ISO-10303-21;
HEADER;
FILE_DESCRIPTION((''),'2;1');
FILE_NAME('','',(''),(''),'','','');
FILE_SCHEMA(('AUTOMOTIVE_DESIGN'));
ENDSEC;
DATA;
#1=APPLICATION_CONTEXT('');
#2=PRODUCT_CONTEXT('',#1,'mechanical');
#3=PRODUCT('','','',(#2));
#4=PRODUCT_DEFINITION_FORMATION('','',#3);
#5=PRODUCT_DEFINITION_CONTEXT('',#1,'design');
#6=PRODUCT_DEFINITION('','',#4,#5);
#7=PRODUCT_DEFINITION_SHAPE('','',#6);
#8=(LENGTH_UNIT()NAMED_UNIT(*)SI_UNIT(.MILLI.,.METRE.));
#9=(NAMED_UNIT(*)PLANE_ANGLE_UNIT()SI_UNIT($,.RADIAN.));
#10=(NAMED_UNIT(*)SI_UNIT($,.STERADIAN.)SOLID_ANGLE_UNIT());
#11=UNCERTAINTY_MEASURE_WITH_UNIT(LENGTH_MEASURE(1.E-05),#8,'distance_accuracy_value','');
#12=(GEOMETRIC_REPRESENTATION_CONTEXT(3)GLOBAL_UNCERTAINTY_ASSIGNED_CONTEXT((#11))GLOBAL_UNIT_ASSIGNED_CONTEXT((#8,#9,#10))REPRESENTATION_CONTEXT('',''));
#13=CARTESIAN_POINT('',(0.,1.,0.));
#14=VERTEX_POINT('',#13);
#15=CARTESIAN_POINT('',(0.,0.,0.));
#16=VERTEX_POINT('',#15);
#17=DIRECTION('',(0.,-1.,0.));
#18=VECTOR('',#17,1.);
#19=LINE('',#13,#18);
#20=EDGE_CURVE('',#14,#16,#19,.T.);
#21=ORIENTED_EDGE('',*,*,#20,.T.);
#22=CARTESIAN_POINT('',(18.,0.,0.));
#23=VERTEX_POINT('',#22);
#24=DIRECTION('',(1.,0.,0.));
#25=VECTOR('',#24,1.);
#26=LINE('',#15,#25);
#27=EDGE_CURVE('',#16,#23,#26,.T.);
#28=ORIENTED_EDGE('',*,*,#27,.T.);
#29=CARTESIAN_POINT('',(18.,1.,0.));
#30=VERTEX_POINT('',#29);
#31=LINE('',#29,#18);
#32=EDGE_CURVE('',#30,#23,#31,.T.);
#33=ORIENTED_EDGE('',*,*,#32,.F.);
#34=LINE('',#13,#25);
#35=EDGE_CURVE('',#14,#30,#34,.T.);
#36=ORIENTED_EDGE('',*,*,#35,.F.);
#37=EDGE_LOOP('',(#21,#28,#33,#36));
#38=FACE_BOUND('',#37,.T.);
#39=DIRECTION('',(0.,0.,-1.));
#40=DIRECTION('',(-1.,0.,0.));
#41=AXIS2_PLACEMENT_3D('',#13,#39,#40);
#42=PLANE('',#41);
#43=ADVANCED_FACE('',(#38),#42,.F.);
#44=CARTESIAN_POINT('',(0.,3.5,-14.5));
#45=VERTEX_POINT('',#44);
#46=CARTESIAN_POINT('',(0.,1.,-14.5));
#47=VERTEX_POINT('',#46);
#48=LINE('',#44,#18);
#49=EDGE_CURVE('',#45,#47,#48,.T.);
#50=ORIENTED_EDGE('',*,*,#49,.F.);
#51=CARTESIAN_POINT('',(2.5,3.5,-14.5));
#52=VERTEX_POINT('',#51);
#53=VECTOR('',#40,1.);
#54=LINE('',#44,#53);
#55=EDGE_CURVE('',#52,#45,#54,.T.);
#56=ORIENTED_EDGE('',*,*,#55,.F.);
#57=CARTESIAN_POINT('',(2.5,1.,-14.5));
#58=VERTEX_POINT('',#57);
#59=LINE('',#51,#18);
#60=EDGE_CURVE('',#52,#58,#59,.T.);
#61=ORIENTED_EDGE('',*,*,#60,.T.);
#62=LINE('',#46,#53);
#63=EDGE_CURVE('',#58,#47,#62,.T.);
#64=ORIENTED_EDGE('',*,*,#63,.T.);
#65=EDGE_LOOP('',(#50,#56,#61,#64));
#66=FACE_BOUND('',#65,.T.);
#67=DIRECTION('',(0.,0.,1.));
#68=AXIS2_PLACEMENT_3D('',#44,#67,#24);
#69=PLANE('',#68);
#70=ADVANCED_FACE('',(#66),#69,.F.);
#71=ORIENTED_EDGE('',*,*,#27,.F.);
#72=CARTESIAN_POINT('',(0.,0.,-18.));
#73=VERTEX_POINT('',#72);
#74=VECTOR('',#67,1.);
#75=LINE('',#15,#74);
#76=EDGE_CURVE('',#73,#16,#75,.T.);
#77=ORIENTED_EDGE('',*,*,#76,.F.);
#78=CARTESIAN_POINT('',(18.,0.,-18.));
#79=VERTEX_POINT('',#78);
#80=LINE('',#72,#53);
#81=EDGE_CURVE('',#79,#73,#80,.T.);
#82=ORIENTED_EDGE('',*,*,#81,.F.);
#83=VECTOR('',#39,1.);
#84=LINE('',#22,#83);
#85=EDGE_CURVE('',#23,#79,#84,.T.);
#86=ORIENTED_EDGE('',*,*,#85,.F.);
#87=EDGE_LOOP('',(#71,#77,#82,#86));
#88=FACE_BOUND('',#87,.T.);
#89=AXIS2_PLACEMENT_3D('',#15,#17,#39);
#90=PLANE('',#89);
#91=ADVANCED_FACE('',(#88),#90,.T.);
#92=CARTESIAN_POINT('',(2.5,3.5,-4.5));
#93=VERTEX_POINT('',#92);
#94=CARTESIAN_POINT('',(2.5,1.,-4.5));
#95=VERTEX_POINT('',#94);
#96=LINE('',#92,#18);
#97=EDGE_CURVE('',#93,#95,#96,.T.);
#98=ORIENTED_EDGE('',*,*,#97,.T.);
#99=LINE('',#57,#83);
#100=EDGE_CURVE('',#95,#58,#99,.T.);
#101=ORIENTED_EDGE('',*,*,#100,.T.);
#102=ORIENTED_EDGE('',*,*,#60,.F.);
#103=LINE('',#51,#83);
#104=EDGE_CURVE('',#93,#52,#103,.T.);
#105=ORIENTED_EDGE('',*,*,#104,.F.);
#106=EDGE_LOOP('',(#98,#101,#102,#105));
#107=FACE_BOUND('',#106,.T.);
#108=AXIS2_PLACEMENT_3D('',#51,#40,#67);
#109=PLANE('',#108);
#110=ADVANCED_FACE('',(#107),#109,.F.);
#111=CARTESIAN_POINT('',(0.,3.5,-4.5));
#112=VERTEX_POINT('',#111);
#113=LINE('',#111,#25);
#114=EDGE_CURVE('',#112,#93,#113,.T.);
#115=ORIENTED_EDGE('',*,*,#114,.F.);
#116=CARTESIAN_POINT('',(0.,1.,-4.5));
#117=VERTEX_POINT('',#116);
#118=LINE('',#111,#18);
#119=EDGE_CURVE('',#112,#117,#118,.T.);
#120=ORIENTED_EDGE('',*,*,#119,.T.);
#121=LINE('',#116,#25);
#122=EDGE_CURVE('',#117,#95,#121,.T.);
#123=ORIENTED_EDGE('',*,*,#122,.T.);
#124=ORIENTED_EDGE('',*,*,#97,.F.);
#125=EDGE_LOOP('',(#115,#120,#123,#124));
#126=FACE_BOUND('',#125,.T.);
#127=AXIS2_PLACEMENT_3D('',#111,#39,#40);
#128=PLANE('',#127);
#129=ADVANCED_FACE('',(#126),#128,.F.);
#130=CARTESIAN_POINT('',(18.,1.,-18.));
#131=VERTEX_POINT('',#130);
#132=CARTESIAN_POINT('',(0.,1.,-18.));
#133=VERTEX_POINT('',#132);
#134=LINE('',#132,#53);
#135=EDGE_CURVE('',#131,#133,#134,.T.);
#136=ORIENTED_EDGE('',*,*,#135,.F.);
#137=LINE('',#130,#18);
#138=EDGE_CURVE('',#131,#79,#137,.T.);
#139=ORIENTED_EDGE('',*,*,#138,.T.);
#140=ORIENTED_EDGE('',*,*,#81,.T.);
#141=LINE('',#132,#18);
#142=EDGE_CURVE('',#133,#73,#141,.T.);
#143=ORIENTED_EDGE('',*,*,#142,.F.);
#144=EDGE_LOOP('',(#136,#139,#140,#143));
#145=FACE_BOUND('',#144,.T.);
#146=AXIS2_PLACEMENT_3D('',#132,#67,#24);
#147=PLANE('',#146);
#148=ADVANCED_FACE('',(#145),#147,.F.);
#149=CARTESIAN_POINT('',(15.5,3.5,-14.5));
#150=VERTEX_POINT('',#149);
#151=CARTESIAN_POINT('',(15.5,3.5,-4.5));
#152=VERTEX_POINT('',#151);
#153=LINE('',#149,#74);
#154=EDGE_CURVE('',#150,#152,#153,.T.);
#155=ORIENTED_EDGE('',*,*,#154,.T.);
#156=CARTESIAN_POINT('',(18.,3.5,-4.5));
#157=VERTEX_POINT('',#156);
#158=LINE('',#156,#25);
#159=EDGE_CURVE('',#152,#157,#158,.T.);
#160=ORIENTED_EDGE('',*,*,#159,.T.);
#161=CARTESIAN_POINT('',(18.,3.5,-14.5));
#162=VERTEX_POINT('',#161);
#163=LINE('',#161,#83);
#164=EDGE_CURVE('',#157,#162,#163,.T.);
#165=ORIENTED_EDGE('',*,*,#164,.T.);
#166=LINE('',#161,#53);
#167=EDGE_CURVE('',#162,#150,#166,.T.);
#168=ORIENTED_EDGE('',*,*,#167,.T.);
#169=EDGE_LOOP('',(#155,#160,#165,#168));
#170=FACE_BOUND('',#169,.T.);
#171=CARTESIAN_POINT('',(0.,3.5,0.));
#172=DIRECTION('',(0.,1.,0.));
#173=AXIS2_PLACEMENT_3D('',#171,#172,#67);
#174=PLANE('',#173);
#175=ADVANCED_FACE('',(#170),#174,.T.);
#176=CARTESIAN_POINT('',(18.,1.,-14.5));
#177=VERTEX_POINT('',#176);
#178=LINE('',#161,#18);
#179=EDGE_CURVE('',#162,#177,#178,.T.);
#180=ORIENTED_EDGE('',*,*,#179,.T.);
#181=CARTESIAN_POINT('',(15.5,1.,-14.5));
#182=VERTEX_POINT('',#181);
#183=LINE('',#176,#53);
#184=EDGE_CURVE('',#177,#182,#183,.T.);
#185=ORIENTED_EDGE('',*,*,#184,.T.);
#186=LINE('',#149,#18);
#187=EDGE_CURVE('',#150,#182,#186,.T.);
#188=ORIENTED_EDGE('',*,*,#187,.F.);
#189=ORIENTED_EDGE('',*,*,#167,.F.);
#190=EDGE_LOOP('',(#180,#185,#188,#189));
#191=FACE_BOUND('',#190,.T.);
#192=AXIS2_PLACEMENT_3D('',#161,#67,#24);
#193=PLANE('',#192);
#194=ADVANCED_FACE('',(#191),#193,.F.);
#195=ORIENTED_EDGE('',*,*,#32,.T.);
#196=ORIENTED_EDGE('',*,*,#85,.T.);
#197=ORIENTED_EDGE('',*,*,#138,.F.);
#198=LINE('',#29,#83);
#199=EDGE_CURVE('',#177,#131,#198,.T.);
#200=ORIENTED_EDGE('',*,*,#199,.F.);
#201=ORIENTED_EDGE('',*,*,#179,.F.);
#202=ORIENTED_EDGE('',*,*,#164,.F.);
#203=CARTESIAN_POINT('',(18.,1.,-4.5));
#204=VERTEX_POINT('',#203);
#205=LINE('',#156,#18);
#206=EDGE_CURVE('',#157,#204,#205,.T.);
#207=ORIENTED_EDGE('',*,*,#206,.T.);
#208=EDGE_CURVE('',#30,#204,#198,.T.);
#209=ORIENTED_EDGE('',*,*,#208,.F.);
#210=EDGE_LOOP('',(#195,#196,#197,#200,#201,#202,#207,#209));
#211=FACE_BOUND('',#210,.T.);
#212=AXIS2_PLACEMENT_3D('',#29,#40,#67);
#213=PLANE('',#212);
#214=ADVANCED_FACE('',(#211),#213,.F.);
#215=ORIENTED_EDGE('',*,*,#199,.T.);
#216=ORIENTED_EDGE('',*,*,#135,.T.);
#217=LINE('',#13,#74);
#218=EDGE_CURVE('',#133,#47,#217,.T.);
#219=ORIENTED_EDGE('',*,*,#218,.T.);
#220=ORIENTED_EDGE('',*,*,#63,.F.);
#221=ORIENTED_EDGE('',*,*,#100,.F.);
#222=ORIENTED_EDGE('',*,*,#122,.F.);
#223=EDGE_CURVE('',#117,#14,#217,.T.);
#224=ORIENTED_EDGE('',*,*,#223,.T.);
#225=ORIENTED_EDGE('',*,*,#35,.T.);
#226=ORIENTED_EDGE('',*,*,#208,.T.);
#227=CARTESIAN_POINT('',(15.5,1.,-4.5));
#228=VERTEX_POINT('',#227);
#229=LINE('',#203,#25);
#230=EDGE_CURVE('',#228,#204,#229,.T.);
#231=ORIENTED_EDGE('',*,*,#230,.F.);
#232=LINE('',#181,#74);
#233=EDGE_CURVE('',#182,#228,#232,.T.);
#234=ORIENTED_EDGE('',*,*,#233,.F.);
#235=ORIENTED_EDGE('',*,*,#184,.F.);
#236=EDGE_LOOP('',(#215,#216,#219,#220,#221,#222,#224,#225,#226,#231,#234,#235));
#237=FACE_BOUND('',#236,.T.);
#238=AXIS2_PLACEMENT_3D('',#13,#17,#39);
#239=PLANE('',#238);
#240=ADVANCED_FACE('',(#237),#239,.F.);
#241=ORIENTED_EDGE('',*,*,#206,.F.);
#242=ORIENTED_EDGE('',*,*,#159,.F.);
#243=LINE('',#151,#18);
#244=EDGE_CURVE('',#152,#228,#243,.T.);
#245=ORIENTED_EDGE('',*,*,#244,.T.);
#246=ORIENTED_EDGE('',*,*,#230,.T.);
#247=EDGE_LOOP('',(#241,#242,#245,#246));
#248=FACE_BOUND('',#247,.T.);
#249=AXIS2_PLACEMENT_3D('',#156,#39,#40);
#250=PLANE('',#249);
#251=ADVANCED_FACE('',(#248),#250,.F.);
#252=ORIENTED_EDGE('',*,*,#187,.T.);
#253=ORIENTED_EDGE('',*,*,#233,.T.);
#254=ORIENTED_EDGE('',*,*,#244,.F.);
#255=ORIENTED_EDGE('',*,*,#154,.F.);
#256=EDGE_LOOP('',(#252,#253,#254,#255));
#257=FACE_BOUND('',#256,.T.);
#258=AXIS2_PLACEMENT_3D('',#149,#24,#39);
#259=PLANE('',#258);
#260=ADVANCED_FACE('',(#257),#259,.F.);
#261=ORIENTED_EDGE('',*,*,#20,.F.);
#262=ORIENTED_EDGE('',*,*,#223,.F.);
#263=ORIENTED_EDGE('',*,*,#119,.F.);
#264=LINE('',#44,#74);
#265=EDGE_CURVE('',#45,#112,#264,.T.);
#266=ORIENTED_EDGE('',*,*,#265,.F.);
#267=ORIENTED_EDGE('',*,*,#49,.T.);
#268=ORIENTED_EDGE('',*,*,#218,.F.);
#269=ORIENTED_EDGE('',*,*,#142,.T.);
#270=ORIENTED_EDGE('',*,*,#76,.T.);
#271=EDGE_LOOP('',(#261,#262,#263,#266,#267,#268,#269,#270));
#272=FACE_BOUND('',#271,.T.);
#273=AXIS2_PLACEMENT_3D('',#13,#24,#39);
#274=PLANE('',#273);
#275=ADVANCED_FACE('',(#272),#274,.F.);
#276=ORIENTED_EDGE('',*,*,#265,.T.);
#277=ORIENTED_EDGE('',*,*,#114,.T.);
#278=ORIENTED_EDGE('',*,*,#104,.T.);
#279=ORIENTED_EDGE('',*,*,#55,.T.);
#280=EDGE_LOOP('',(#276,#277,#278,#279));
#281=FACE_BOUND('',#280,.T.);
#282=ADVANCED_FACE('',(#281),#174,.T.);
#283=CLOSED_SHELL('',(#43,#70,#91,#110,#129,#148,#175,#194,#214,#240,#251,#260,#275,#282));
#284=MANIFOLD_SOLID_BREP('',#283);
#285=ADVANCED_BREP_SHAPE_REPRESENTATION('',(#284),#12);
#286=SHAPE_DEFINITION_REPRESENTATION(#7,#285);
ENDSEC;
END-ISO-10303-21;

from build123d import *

# Parameters (mm, degrees)
SKETCH1_W           = 18
SKETCH1_H           = 18
BOSS_EXTRUDE1_DEPTH = 1
SKETCH2_W           = 2.5
SKETCH2_H           = 10
BOSS_EXTRUDE2_DEPTH = 2.5


with BuildPart() as part:
    # Sketch1 → Boss-Extrude1 (new body)
    with BuildSketch(Plane(origin=(0, 0, 0), x_dir=(1, 0, 0), z_dir=(0, 1, 0))):
        with Locations((9, 9)):
            Rectangle(SKETCH1_W, SKETCH1_H)
    extrude(amount=BOSS_EXTRUDE1_DEPTH)

    # Sketch2 → Boss-Extrude2 (add)
    with BuildSketch(Plane(origin=(0, 1, 0), x_dir=(1, 0, 0), z_dir=(0, 1, 0))):
        with Locations((1.25, 9.5)):
            Rectangle(SKETCH2_W, SKETCH2_H)
        with Locations((16.75, 9.5)):
            Rectangle(SKETCH2_W, SKETCH2_H)
    extrude(amount=BOSS_EXTRUDE2_DEPTH)


solid = part.part
